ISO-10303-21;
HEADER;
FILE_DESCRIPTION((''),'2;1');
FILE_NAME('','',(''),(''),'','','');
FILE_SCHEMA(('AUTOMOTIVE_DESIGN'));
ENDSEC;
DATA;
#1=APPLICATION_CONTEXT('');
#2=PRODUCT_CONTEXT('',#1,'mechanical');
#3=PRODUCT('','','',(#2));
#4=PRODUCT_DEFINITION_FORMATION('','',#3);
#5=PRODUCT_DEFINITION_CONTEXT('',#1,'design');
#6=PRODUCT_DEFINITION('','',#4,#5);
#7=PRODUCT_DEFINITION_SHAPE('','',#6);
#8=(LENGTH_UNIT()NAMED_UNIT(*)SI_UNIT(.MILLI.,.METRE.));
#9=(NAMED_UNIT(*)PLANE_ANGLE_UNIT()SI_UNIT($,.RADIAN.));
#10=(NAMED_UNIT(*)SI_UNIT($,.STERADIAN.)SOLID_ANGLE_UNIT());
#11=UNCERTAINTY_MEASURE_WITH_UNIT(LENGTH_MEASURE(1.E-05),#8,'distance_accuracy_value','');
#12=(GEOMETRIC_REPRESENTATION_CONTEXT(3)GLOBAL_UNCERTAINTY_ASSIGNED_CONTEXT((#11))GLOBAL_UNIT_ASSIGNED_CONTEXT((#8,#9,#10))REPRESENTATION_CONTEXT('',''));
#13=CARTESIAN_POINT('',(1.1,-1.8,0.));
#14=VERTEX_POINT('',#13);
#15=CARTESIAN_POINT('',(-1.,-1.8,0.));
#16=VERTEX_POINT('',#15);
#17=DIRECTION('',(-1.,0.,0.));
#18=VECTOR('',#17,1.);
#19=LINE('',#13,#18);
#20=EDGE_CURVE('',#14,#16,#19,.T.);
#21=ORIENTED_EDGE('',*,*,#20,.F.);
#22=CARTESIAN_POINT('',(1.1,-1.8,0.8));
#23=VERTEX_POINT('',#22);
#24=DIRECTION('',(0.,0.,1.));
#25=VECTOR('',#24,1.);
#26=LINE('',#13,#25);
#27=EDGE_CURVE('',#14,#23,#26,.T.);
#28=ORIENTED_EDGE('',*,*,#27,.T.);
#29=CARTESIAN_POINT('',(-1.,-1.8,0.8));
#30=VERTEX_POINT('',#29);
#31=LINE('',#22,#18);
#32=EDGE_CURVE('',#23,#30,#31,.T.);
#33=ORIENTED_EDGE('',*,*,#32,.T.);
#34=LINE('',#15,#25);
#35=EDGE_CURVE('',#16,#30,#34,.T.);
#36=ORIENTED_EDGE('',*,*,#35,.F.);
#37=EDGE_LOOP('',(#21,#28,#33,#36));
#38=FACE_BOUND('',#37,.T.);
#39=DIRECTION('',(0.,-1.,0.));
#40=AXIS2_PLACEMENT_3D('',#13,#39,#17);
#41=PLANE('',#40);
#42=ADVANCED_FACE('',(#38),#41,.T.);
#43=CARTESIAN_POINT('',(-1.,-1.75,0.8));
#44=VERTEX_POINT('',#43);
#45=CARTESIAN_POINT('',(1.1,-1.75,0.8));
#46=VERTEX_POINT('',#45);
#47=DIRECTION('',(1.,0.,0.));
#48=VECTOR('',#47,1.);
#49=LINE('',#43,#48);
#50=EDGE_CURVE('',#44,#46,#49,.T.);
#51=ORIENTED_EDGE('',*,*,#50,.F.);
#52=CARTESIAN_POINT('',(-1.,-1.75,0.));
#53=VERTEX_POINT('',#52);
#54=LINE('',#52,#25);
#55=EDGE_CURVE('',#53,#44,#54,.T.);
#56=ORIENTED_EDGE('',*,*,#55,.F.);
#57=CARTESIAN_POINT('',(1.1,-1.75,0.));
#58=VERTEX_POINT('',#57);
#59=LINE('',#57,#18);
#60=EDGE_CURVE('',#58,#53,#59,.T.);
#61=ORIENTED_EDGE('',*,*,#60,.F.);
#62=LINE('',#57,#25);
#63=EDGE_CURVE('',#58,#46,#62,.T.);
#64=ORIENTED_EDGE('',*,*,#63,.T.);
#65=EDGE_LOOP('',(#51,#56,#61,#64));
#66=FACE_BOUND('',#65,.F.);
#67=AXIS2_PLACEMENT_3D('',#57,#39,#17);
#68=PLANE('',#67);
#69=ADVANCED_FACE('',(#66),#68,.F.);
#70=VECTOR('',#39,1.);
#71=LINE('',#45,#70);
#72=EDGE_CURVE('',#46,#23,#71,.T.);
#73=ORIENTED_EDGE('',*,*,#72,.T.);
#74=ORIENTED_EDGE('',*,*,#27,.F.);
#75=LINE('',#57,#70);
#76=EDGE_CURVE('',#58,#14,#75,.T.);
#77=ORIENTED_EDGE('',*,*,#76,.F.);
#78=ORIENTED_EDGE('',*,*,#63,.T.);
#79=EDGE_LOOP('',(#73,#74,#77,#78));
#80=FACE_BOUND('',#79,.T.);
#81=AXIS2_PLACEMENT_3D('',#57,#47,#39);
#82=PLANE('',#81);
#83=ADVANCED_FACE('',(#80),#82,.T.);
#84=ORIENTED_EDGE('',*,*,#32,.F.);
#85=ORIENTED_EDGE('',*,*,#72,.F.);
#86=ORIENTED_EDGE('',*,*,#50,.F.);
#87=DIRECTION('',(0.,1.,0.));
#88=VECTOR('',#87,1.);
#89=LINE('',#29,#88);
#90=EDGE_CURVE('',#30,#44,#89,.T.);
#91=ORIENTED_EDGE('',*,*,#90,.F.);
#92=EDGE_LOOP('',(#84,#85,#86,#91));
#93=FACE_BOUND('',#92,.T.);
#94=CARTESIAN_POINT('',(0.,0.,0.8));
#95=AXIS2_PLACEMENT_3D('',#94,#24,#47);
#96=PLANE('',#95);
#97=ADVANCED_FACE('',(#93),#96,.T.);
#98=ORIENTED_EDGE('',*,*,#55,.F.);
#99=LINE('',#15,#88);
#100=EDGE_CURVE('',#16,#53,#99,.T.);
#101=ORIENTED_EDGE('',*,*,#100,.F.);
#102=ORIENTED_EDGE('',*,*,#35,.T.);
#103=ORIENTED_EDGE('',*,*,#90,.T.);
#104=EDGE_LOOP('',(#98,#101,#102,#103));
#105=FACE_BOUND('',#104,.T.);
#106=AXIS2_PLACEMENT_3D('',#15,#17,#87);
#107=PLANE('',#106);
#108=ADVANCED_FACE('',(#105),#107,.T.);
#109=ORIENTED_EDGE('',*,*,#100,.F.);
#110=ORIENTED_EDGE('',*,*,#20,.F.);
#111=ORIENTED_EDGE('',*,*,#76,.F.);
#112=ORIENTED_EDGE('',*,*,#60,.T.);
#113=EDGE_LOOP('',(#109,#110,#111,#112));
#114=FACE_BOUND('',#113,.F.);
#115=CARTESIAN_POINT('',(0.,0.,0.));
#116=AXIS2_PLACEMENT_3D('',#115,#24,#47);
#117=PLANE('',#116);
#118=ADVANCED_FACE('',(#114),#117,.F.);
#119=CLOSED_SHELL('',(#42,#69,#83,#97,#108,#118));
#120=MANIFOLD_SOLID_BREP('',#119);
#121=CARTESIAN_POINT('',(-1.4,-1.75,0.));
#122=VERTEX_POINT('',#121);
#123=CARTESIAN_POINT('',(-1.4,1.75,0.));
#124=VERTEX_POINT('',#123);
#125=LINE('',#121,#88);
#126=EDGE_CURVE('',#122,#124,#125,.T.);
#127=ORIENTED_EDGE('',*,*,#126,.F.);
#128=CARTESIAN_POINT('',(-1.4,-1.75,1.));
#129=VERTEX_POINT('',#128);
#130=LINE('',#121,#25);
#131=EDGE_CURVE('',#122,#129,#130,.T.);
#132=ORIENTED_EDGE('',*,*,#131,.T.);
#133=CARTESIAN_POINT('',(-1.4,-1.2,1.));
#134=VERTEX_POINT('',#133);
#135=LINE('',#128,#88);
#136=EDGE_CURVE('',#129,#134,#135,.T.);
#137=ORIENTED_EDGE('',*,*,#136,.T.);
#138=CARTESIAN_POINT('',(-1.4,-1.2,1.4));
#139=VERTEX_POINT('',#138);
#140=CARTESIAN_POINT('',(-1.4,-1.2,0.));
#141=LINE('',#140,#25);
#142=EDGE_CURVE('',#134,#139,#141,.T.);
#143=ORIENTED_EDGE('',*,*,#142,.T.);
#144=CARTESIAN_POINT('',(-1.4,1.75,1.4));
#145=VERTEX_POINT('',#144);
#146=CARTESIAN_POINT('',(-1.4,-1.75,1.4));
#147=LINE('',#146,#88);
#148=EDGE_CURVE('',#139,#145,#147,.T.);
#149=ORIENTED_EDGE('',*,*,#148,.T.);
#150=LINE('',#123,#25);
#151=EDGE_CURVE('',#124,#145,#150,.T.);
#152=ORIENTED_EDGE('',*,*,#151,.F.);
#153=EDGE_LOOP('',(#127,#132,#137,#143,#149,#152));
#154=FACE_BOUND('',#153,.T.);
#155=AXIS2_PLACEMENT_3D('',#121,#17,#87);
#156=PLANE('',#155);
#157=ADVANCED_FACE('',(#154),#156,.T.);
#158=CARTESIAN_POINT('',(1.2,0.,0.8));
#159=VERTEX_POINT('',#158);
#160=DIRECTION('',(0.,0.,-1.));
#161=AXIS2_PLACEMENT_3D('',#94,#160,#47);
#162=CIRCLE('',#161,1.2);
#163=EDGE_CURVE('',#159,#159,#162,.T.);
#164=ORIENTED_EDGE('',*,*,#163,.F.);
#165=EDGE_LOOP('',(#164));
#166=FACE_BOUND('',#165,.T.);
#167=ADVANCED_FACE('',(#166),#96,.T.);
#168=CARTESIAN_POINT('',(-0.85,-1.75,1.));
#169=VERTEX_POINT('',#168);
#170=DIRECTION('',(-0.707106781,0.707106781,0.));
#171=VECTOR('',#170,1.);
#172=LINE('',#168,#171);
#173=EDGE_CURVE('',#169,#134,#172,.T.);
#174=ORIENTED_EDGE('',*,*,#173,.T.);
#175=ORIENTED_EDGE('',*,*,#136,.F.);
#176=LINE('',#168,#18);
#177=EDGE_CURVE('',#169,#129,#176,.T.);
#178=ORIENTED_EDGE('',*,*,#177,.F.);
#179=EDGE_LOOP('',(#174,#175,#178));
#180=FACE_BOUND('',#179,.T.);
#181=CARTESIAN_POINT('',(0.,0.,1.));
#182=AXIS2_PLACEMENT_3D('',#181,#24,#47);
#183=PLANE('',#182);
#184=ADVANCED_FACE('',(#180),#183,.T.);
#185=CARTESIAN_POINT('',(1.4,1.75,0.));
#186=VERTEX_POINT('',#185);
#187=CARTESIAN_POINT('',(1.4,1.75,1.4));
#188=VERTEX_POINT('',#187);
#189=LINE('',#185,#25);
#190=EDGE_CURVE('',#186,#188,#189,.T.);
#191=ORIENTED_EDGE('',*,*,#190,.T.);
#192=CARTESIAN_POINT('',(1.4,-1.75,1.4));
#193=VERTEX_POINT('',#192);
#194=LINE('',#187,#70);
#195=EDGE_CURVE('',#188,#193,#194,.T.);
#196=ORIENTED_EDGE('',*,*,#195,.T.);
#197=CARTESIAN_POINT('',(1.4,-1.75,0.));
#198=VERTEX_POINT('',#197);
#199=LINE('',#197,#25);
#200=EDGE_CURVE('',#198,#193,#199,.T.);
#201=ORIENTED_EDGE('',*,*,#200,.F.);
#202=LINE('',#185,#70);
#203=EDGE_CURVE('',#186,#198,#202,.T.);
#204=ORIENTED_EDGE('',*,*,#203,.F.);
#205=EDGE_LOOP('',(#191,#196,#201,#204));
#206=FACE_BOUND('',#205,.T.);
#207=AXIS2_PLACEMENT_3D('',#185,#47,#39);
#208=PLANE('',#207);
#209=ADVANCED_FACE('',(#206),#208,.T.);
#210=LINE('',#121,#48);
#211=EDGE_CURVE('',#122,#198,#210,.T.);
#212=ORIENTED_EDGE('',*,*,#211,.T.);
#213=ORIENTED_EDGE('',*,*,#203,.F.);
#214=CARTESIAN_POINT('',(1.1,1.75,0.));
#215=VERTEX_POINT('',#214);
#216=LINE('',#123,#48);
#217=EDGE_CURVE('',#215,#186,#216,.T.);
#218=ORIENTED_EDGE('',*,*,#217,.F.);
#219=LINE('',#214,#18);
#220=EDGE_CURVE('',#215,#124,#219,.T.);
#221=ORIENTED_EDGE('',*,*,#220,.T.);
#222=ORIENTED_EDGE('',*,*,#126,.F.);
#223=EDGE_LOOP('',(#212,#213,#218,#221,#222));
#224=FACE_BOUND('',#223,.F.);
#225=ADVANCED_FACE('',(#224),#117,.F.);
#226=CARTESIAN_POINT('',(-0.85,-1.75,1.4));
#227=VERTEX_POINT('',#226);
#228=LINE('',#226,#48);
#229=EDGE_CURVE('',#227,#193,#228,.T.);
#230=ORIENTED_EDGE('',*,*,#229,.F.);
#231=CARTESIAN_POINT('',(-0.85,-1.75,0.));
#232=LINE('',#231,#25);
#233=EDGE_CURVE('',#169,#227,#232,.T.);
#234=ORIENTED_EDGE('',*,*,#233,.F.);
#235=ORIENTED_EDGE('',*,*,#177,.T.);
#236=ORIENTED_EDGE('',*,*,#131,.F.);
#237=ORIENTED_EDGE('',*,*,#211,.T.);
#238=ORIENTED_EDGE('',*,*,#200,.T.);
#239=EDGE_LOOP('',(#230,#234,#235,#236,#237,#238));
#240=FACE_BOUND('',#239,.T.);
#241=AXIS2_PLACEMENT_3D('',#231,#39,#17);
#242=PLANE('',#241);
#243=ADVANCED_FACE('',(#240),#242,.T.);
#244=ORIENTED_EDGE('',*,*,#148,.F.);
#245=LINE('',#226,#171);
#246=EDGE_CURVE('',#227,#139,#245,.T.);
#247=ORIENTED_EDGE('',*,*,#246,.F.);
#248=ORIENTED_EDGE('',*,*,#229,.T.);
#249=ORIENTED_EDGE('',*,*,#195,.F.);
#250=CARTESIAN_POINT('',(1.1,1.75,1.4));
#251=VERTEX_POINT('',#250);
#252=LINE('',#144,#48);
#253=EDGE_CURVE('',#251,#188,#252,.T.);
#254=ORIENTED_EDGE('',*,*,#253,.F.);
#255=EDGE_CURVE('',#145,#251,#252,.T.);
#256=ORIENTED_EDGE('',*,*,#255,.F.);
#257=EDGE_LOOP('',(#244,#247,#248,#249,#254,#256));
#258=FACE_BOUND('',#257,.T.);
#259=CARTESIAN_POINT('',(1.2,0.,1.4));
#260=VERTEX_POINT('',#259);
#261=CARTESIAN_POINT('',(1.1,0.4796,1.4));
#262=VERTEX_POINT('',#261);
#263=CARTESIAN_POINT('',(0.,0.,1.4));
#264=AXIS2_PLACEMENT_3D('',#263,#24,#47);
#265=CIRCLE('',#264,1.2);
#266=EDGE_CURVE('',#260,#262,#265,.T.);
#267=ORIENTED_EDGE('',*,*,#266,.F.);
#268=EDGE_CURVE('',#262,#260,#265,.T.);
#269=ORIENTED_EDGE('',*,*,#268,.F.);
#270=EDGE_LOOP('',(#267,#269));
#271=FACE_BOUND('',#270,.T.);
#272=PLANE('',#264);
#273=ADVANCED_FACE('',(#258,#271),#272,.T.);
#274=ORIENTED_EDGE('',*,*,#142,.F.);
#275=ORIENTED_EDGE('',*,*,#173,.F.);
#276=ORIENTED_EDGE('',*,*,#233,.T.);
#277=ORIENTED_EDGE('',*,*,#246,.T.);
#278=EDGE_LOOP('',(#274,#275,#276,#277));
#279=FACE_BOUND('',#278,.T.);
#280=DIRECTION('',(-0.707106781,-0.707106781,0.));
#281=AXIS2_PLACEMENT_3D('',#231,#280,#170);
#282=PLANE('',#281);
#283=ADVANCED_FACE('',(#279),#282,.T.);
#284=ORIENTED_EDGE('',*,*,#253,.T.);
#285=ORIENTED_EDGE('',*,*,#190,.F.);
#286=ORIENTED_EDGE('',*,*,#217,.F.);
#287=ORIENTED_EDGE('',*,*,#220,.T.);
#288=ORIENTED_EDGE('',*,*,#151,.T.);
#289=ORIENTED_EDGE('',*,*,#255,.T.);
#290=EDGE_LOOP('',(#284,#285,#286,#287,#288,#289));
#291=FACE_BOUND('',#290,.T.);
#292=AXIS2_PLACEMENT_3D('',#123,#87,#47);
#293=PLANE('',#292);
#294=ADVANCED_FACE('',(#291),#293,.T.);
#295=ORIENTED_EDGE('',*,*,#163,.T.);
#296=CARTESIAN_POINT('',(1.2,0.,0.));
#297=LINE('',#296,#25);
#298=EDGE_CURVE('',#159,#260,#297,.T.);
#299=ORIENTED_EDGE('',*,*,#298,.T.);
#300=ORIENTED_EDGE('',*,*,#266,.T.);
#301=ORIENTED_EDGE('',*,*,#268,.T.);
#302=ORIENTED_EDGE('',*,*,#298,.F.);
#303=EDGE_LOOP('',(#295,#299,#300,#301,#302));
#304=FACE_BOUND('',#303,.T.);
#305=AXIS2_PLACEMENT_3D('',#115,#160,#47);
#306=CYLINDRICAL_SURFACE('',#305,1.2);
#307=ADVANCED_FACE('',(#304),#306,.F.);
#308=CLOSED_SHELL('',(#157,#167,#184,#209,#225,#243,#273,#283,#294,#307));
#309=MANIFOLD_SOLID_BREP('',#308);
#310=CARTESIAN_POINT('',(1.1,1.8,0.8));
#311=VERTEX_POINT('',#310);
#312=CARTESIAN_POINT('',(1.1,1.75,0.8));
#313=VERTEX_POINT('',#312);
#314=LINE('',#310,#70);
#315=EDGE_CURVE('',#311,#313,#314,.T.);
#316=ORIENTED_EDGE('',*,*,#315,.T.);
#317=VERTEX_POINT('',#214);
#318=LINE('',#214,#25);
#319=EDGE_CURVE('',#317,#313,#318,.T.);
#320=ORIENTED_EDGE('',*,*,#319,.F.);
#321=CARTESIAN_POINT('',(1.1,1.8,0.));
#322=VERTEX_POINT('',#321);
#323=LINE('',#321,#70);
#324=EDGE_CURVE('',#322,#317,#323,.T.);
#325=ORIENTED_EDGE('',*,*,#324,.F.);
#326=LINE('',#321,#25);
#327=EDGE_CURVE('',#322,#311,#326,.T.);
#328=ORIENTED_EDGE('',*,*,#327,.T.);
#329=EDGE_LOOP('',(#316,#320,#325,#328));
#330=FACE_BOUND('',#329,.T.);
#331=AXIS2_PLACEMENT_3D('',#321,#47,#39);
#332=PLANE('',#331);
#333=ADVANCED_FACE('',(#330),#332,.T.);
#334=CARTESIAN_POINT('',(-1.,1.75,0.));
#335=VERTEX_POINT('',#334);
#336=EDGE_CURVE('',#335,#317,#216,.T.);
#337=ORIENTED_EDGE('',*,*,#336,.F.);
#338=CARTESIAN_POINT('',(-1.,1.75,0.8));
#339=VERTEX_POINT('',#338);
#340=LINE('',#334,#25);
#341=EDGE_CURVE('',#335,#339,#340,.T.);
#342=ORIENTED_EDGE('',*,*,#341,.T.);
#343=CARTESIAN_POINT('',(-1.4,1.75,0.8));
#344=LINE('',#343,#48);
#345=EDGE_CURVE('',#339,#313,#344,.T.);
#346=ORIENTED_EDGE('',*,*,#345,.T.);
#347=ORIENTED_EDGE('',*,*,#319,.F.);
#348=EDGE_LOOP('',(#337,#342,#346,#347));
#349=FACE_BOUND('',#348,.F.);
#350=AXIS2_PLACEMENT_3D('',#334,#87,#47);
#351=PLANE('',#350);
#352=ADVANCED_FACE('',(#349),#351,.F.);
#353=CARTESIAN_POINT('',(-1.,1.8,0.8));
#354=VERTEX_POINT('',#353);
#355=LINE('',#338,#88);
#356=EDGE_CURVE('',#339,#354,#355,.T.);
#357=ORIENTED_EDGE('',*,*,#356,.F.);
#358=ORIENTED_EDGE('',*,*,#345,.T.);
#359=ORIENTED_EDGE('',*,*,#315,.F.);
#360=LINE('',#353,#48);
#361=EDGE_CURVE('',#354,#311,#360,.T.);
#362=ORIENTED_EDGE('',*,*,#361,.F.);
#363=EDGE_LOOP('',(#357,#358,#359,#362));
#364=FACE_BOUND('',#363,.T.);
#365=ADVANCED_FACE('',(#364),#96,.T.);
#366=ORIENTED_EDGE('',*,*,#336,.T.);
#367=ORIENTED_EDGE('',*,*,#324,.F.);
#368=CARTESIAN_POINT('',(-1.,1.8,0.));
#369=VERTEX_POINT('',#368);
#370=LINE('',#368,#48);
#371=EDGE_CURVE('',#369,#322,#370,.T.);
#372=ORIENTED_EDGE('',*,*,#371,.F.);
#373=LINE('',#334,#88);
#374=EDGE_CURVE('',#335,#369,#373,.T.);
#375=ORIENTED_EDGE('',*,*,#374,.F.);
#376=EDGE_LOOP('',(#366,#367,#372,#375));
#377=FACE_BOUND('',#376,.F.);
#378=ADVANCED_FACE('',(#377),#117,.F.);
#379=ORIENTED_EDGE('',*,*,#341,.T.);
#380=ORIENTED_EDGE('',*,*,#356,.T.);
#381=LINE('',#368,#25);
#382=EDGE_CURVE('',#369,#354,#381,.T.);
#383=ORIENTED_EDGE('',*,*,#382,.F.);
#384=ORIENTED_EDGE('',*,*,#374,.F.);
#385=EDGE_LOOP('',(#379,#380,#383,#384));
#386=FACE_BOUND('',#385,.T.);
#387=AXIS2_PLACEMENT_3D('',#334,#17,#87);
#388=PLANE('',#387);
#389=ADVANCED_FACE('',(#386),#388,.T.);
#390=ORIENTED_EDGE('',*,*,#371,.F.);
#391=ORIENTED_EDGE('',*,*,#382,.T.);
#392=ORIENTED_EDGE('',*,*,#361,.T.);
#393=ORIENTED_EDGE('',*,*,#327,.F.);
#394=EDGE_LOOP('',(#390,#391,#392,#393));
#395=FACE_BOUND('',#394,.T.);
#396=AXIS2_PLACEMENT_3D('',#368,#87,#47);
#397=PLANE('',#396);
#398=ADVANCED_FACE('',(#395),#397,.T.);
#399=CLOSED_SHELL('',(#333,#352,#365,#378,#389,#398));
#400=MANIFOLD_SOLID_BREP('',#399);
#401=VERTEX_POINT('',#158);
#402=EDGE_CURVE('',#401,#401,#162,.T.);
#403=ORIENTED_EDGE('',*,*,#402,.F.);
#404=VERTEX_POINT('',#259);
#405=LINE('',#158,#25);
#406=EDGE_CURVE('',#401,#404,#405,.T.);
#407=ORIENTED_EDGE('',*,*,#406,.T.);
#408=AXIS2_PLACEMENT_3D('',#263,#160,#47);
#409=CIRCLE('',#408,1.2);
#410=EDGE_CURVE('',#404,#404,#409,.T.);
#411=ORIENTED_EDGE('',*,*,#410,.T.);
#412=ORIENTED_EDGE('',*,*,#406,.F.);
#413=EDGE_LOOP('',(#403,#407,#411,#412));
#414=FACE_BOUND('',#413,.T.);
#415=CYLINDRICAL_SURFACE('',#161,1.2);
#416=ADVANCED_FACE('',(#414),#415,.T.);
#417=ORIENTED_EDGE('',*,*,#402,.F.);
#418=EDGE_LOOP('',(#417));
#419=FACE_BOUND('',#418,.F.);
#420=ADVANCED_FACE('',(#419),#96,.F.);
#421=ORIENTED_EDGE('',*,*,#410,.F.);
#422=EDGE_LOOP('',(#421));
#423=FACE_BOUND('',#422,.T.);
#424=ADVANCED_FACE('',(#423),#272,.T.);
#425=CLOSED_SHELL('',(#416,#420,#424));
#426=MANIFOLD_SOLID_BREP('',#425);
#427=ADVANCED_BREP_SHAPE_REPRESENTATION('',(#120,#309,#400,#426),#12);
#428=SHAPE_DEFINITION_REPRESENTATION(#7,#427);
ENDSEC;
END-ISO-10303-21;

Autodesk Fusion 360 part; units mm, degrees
sketch "Sketch1" plane through (0, 0, 0) normal (0, 0, 1) x (1, 0, 0)
  line L0 (-1.4, 1.75) -> (1.4, 1.75)
  line L1 (1.4, 1.75) -> (1.4, -1.75)
  line L2 (1.4, -1.75) -> (-1.4, -1.75)
  line L3 (-1.4, -1.75) -> (-1.4, 1.75)
  circle A0 centre (0, 0) radius 1.2
  line L4 (-0.85, -1.75) -> (-1.4, -1.2)
  line L5 (-1, 1.8) -> (1.1, 1.8)
  line L6 (1.1, -1.8) -> (-1, -1.8)
  line L7 (-1, 1.75) -> (-1, 1.8)
  line L8 (1.1, 1.8) -> (1.1, 0.4796)
  line L9 (1.1, -1.75) -> (1.1, -1.8)
  line L10 (-1, -1.8) -> (-1, -1.75)
  dimension "d3" = 2.4
extrude "Extrude1" add sketch "Sketch1" along normal blind 1.4 contours L0 L1 L2 L3 L4 makes body 1
extrude "Extrude2" add sketch "Sketch1" along normal blind 0.8 contours A0 bodies 1
extrude "Extrude3" add sketch "Sketch1" along normal blind 1 contours L2 L3 L4 bodies 1
extrude "Extrude4" add 1 faces at (-0.3517, 0.6444, 0.8) along direction (0, 0, 1) blind 0.6 separate body on bodies 1 makes body 2
extrude "Extrude5" add sketch "Sketch1" along normal blind 0.8 separate body contours L0 L5 L7 L8 | L2 L6 L9 L10 makes body 3 at (-0.3, 1.8, 0.2667) makes body 4 at (0.4, -1.75, 0.2667)
